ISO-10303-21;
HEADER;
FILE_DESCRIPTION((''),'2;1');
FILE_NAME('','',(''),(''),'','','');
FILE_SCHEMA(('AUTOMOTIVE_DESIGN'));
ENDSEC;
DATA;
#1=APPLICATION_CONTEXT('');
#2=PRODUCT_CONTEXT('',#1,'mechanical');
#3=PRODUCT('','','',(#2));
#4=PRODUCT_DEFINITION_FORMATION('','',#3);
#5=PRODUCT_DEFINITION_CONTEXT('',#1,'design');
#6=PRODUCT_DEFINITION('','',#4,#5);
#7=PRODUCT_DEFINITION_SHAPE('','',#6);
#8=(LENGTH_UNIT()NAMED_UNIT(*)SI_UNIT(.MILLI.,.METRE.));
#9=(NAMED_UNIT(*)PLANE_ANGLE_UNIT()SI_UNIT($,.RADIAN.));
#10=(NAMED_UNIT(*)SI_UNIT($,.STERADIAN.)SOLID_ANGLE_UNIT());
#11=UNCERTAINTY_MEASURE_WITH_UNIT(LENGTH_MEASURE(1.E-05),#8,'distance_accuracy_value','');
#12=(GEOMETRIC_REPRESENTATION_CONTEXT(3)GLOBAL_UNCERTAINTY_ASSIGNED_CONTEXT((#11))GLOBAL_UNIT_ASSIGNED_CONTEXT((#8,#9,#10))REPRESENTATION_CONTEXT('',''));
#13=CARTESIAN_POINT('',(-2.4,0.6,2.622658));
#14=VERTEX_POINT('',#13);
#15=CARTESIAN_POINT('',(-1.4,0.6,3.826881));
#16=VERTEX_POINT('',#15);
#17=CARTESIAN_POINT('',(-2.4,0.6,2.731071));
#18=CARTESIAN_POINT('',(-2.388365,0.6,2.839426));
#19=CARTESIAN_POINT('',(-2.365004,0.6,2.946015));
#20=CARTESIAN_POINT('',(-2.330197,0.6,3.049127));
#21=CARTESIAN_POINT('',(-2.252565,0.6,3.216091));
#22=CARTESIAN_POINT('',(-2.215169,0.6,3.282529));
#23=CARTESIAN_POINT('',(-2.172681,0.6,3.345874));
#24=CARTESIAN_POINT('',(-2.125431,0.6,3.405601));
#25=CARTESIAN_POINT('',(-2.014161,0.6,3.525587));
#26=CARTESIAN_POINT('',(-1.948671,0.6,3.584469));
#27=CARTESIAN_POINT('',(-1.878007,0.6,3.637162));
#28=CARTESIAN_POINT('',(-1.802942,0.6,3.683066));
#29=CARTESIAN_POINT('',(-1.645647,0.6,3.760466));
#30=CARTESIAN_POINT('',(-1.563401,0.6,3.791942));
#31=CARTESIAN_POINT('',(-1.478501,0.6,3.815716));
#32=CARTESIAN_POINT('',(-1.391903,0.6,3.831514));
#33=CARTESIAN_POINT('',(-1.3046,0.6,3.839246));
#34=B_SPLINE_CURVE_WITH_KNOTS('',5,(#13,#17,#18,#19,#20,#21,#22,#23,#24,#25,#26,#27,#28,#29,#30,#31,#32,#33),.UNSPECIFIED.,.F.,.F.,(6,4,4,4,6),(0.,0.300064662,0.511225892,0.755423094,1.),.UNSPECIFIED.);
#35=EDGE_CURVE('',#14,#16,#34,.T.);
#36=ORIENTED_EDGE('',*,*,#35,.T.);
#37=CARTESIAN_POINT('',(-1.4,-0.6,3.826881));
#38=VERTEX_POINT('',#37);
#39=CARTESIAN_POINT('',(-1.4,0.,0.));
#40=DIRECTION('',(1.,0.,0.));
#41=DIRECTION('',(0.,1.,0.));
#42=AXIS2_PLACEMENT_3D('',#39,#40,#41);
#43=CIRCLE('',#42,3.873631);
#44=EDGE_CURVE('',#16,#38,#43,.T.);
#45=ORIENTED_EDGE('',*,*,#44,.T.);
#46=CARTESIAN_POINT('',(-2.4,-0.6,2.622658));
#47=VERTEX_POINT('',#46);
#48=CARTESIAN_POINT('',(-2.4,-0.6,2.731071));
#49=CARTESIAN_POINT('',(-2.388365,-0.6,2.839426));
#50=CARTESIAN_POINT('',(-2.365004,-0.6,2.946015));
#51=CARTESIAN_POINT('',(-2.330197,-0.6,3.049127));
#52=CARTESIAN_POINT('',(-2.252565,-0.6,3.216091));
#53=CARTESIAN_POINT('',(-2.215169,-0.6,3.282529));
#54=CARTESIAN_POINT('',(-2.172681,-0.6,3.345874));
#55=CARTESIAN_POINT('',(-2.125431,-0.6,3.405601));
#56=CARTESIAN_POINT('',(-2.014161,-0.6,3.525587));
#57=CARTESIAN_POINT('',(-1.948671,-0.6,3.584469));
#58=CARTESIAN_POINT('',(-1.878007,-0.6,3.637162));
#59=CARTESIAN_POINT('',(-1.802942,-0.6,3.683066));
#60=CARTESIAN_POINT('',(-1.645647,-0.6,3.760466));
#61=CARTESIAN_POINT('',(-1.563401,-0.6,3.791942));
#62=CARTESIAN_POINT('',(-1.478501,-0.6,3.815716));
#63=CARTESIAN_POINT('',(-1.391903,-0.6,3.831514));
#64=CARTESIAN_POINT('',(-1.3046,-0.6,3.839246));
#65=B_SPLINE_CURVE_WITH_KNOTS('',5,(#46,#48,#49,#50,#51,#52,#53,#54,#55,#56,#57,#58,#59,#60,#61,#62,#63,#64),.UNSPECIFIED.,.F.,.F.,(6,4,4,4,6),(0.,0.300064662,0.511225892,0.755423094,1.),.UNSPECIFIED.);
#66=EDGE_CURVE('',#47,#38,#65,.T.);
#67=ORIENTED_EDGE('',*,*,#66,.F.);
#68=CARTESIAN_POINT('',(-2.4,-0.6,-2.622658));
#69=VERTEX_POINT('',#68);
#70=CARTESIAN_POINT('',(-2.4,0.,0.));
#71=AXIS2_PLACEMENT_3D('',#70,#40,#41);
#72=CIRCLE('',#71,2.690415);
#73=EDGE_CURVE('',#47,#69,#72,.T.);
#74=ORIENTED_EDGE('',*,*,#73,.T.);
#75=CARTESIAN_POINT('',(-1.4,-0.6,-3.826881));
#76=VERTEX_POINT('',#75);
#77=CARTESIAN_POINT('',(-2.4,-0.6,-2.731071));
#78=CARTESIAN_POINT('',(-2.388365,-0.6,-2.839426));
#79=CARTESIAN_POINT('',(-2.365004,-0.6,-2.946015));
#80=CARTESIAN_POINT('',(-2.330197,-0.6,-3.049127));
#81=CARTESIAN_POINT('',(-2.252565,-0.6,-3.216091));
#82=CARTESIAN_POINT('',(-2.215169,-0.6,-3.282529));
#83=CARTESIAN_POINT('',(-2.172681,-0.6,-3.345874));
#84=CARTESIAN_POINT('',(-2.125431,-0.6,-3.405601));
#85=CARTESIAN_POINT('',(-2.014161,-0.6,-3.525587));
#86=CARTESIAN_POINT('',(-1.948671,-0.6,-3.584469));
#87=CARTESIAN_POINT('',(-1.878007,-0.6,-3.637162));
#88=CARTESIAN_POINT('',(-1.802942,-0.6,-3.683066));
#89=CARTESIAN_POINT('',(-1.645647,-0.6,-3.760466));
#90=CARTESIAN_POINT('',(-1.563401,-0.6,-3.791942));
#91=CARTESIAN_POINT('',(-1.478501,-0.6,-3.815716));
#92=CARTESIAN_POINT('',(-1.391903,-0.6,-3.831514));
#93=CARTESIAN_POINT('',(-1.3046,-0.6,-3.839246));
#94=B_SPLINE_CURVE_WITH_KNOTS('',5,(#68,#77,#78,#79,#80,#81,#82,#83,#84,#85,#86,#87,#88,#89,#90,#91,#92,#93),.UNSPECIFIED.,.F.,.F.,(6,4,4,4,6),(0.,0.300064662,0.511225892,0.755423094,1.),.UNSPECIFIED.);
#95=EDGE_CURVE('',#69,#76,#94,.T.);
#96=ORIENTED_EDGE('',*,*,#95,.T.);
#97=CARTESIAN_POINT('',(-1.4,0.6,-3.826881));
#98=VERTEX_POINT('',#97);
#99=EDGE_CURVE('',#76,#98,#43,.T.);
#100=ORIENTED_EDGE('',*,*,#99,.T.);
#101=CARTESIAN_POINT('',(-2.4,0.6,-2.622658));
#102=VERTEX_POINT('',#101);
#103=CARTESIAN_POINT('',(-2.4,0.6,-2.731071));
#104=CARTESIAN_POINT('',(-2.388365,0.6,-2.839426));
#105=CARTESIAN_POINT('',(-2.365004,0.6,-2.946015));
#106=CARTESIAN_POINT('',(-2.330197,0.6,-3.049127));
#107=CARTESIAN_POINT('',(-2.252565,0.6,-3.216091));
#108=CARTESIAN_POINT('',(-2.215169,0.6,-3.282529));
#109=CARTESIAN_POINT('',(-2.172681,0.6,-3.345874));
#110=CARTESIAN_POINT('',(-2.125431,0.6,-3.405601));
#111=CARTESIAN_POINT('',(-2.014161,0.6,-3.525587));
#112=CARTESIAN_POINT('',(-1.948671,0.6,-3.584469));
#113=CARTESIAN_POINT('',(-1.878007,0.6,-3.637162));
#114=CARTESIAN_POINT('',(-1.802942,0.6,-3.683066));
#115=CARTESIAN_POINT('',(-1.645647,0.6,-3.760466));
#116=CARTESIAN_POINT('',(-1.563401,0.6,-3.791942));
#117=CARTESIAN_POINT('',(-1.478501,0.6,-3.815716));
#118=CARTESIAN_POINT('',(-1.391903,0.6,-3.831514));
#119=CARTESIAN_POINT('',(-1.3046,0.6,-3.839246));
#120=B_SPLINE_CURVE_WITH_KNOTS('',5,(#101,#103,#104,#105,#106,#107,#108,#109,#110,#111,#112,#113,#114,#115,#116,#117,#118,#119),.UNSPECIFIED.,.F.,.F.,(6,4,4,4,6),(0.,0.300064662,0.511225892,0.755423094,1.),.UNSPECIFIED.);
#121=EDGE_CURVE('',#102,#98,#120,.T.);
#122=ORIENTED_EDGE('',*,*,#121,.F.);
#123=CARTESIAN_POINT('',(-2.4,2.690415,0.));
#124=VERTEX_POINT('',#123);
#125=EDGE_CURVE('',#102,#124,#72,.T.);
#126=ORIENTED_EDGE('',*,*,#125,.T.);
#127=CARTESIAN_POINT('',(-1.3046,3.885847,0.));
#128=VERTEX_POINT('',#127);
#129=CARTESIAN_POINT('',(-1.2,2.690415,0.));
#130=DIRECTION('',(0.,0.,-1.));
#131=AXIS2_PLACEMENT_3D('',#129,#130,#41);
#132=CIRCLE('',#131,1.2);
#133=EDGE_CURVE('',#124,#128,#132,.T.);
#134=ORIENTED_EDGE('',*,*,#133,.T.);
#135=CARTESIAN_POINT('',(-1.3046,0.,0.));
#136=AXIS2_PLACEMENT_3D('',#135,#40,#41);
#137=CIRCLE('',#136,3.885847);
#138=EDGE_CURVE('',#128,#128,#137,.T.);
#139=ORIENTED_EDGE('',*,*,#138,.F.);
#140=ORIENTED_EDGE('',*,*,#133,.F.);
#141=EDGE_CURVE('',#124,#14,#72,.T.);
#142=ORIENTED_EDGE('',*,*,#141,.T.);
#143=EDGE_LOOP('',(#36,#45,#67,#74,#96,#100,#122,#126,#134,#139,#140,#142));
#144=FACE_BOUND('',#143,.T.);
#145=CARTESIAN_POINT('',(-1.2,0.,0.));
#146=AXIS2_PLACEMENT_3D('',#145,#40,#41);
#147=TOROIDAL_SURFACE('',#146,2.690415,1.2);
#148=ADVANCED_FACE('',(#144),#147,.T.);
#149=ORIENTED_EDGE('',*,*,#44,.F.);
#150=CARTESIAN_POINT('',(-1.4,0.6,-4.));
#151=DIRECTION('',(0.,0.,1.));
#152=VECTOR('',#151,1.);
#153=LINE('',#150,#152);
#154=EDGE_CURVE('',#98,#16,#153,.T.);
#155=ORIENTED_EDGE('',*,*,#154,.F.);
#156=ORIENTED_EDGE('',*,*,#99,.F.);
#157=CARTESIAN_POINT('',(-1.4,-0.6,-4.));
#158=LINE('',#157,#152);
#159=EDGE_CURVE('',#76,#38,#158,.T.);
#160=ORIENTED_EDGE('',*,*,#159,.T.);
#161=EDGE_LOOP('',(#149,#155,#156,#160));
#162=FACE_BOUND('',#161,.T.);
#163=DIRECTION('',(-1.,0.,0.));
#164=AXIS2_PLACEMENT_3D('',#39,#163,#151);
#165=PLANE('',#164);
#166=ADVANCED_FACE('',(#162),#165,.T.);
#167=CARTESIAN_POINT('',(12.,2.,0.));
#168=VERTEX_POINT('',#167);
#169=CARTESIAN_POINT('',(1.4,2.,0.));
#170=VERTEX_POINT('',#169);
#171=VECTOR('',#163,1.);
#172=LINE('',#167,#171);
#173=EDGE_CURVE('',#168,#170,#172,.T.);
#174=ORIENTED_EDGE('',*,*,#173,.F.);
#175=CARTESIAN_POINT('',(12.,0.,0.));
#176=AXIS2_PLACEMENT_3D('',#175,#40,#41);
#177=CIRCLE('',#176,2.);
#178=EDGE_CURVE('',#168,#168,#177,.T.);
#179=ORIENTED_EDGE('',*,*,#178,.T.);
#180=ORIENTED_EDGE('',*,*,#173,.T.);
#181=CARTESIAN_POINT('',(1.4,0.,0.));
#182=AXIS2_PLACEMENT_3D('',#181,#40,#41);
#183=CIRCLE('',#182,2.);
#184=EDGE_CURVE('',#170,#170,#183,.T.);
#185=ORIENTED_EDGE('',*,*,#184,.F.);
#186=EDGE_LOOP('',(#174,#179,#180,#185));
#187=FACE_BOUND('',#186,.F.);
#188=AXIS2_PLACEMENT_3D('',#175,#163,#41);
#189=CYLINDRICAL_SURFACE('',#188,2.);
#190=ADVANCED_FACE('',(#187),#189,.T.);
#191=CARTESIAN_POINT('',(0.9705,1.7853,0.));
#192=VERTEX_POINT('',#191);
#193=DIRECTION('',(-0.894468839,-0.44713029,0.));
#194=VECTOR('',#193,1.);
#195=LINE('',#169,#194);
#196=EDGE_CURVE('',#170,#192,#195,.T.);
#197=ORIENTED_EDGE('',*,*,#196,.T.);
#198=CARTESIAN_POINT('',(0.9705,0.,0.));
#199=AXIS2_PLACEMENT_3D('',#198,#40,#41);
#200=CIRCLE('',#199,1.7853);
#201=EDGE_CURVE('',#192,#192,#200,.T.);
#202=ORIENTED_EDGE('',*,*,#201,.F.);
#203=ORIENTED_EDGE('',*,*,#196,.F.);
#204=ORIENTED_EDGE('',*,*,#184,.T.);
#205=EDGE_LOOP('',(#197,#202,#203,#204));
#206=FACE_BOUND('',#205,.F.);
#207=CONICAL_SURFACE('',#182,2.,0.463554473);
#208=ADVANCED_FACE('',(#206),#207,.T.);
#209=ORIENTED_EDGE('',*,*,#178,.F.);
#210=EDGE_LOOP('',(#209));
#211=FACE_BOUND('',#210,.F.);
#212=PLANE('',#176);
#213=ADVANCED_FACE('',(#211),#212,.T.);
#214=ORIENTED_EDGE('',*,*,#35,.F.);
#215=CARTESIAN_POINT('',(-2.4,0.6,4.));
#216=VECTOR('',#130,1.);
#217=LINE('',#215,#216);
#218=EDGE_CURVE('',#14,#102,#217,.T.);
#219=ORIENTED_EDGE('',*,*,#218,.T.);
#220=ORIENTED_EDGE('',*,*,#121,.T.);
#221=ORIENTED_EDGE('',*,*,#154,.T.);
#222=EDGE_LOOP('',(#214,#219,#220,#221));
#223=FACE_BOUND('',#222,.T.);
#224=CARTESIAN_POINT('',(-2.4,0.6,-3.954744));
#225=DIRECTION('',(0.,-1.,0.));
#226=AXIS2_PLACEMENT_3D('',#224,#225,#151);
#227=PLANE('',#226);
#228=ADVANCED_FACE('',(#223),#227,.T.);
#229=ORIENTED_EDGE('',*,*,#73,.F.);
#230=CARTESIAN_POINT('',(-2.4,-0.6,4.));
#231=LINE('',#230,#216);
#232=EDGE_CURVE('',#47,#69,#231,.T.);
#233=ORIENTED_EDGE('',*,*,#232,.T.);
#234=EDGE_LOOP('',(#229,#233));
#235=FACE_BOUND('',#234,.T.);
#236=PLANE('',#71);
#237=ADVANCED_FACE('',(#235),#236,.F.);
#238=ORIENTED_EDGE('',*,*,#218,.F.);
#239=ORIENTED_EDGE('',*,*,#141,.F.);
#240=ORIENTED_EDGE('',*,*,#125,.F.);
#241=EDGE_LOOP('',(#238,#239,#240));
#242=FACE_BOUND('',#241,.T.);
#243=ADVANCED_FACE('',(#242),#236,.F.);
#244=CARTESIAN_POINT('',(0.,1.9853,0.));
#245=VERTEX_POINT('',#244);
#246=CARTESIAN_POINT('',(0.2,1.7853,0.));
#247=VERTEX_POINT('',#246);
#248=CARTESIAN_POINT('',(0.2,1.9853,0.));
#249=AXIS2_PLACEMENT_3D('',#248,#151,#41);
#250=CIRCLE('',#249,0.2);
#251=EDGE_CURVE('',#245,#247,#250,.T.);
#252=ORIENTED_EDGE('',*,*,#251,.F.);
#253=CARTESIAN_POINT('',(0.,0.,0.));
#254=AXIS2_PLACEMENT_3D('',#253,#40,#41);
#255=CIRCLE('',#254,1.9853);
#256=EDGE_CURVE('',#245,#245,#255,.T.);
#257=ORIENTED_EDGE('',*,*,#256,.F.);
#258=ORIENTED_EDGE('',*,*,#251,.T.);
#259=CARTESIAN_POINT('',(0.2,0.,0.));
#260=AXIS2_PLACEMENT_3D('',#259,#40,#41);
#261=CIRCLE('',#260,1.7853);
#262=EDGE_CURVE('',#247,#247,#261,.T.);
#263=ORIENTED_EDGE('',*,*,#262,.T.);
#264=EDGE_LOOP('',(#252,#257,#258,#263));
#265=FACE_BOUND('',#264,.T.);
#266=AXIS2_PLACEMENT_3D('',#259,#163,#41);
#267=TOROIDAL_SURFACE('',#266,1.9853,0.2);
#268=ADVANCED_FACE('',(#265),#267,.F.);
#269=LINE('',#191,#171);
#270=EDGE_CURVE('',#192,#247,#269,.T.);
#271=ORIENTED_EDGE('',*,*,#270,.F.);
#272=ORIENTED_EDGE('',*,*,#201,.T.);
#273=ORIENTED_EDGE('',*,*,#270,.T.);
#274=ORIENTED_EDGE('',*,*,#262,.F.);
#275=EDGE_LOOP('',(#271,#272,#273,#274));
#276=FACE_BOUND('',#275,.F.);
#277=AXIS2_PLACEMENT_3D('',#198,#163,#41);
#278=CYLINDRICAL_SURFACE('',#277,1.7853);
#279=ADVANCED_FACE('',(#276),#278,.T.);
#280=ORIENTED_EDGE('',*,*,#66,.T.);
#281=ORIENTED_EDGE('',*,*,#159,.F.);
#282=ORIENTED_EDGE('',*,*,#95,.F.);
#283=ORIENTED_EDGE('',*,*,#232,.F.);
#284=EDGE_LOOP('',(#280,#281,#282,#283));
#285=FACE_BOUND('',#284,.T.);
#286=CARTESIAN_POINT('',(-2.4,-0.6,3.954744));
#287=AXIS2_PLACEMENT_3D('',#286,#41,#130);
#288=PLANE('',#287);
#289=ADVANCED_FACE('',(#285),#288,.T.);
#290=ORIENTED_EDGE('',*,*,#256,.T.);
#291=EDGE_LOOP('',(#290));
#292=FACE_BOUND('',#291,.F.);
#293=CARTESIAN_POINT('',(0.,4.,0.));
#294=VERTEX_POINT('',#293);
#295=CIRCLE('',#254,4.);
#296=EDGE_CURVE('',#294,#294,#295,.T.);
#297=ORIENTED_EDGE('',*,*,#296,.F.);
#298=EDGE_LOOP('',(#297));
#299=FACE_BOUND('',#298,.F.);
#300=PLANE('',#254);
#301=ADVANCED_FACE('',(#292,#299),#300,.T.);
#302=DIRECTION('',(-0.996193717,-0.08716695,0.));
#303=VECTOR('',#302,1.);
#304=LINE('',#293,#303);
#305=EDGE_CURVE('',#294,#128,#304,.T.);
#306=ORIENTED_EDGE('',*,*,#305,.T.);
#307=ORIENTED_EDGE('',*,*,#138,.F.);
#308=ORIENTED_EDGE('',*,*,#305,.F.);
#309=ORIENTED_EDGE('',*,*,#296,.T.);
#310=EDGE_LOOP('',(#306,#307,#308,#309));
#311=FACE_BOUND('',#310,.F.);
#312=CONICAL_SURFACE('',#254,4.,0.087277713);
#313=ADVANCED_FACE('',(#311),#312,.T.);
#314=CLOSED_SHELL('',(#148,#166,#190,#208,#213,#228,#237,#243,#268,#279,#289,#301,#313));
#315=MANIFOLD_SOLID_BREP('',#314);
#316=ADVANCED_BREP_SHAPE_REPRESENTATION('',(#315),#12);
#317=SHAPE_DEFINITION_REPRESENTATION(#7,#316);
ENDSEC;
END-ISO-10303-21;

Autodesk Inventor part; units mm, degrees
ref_plane "YZ Plane" through (0, 0, 0) normal (1, 0, 0) x (0, 1, 0)
ref_plane "XZ Plane" through (0, 0, 0) normal (0, 1, 0) x (-1, 0, 0)
sketch "Schizzo1" plane through (0, 0, 0) normal (0, 0, 1) x (1, 0, 0)
  line L0 (-2.4, 0) -> (12, 0)
  line L1 (12, 0) -> (12, 2)
  line L2 (12, 2) -> (1.4, 2)
  line L3 (1.4, 2) -> (0.9705, 1.7853)
  line L4 (0.9705, 1.7853) -> (0, 1.7853)
  line L5 (0, 1.7853) -> (0, 4)
  line L6 (-5.28, 0) -> (14.88, 0) projected
  line L7 (0, -0.8) -> (0, 4.8) projected
  line L8 (-2.4, 0) -> (-2.4, 3.79)
  line L9 (0, 4) -> (-2.4, 3.79)
  line L10 (1.4, 2) -> (0, 2) construction
  dimension "d0" = 12
  dimension "d1" = 10.6
  dimension "d2" = 0.4295
  dimension "d3" = 2.4
  dimension "d4" = 4
  dimension "d5" = 3.5705
  dimension "d9" = 8
  dimension "d10" = 5
revolve "Corpo" add sketch "Schizzo1" angle 360 about axis through (-2.4, 0, 0) along (1, 0, 0)
sketch "Schizzo2" plane through (-2.4, 0, 0) normal (-1, 0, 0) x (0, 0, 1)
  circle A0 centre (0, 0) radius 4 projected
  line L0 (0, 0) -> (0, 3.79) projected
  line L1 (-4, 0.6) -> (4, 0.6)
  line L2 (4, 0.6) -> (4, -0.6)
  line L3 (4, -0.6) -> (-4, -0.6)
  line L4 (-4, -0.6) -> (-4, 0.6)
  line L5 (-4, 0) -> (4, 0) construction
  line L6 (0, 0.6) -> (0, -0.6) construction
  dimension "d11" = 1.2
  dimension "d12" = 8
fillet "Raccordo1" radius 1.2 1 edges at (-2.4, -3.79, 0)
extrude "Intaglio" cut sketch "Schizzo2" against normal blind 1 contours A0 L3 L1 | L2 L3 A0 | A0 L1 L2 | A0 L4 L1 | L3 L4 A0
thread "Filettatura" size "M4x0.7" class "6g" standard "ISO Metric profile" length 10.6
ref_plane "Work Plane1" through (30.1625, 0, 0) normal (0, 0, -1) x (1, 0, 0)
fillet "Fillet5" radius 0.2 1 edges at (0, -1.7853, 0)
equation "\"d11\" = SBR"
equation "\"d12\" = KOD"
equation "\"d14\" = RR"
equation "\"d19\" = STI"
equation "\"d15\" = GEL"
equation "\"d41\" = R"
equation "\"d0\" = NLG"
equation "\"d1\" = GEL"
equation "\"d3\" = KOH"
equation "\"d4\" = GD"
equation "\"d5\" = BDM"
equation "\"d9\" = KOD"
equation "\"d10\" = KEWI"
equation "\"GD\" = NND"
equation "\"NLG\" = 12"
equation "\"GEL\" = 10.6"
equation "\"KOD\" = 8"
equation "\"KOH\" = 2.4"
equation "\"GAL\" = 0.61345 * PTC"
equation "\"R\" = 0.2"
equation "\"BDM\" = 3.5705"
equation "\"GUL\" = 0.61345 * PTC"
equation "\"RR\" = 1.2"
equation "\"SBR\" = 1.2"
equation "\"STI\" = 1"
equation "\"KEWI\" = 5deg"
equation "\"PTC\" = 0.7"
equation "\"THREADDIA\" = 4"
equation "\"TOA\" = 30deg"
equation "\"NND\" = 4"
equation "\"GD1\" = THREADDIA - 1.2269 * PTC"
properties part number "ISO 1580 - M4 x 12" material "Acciaio, Dolce"
